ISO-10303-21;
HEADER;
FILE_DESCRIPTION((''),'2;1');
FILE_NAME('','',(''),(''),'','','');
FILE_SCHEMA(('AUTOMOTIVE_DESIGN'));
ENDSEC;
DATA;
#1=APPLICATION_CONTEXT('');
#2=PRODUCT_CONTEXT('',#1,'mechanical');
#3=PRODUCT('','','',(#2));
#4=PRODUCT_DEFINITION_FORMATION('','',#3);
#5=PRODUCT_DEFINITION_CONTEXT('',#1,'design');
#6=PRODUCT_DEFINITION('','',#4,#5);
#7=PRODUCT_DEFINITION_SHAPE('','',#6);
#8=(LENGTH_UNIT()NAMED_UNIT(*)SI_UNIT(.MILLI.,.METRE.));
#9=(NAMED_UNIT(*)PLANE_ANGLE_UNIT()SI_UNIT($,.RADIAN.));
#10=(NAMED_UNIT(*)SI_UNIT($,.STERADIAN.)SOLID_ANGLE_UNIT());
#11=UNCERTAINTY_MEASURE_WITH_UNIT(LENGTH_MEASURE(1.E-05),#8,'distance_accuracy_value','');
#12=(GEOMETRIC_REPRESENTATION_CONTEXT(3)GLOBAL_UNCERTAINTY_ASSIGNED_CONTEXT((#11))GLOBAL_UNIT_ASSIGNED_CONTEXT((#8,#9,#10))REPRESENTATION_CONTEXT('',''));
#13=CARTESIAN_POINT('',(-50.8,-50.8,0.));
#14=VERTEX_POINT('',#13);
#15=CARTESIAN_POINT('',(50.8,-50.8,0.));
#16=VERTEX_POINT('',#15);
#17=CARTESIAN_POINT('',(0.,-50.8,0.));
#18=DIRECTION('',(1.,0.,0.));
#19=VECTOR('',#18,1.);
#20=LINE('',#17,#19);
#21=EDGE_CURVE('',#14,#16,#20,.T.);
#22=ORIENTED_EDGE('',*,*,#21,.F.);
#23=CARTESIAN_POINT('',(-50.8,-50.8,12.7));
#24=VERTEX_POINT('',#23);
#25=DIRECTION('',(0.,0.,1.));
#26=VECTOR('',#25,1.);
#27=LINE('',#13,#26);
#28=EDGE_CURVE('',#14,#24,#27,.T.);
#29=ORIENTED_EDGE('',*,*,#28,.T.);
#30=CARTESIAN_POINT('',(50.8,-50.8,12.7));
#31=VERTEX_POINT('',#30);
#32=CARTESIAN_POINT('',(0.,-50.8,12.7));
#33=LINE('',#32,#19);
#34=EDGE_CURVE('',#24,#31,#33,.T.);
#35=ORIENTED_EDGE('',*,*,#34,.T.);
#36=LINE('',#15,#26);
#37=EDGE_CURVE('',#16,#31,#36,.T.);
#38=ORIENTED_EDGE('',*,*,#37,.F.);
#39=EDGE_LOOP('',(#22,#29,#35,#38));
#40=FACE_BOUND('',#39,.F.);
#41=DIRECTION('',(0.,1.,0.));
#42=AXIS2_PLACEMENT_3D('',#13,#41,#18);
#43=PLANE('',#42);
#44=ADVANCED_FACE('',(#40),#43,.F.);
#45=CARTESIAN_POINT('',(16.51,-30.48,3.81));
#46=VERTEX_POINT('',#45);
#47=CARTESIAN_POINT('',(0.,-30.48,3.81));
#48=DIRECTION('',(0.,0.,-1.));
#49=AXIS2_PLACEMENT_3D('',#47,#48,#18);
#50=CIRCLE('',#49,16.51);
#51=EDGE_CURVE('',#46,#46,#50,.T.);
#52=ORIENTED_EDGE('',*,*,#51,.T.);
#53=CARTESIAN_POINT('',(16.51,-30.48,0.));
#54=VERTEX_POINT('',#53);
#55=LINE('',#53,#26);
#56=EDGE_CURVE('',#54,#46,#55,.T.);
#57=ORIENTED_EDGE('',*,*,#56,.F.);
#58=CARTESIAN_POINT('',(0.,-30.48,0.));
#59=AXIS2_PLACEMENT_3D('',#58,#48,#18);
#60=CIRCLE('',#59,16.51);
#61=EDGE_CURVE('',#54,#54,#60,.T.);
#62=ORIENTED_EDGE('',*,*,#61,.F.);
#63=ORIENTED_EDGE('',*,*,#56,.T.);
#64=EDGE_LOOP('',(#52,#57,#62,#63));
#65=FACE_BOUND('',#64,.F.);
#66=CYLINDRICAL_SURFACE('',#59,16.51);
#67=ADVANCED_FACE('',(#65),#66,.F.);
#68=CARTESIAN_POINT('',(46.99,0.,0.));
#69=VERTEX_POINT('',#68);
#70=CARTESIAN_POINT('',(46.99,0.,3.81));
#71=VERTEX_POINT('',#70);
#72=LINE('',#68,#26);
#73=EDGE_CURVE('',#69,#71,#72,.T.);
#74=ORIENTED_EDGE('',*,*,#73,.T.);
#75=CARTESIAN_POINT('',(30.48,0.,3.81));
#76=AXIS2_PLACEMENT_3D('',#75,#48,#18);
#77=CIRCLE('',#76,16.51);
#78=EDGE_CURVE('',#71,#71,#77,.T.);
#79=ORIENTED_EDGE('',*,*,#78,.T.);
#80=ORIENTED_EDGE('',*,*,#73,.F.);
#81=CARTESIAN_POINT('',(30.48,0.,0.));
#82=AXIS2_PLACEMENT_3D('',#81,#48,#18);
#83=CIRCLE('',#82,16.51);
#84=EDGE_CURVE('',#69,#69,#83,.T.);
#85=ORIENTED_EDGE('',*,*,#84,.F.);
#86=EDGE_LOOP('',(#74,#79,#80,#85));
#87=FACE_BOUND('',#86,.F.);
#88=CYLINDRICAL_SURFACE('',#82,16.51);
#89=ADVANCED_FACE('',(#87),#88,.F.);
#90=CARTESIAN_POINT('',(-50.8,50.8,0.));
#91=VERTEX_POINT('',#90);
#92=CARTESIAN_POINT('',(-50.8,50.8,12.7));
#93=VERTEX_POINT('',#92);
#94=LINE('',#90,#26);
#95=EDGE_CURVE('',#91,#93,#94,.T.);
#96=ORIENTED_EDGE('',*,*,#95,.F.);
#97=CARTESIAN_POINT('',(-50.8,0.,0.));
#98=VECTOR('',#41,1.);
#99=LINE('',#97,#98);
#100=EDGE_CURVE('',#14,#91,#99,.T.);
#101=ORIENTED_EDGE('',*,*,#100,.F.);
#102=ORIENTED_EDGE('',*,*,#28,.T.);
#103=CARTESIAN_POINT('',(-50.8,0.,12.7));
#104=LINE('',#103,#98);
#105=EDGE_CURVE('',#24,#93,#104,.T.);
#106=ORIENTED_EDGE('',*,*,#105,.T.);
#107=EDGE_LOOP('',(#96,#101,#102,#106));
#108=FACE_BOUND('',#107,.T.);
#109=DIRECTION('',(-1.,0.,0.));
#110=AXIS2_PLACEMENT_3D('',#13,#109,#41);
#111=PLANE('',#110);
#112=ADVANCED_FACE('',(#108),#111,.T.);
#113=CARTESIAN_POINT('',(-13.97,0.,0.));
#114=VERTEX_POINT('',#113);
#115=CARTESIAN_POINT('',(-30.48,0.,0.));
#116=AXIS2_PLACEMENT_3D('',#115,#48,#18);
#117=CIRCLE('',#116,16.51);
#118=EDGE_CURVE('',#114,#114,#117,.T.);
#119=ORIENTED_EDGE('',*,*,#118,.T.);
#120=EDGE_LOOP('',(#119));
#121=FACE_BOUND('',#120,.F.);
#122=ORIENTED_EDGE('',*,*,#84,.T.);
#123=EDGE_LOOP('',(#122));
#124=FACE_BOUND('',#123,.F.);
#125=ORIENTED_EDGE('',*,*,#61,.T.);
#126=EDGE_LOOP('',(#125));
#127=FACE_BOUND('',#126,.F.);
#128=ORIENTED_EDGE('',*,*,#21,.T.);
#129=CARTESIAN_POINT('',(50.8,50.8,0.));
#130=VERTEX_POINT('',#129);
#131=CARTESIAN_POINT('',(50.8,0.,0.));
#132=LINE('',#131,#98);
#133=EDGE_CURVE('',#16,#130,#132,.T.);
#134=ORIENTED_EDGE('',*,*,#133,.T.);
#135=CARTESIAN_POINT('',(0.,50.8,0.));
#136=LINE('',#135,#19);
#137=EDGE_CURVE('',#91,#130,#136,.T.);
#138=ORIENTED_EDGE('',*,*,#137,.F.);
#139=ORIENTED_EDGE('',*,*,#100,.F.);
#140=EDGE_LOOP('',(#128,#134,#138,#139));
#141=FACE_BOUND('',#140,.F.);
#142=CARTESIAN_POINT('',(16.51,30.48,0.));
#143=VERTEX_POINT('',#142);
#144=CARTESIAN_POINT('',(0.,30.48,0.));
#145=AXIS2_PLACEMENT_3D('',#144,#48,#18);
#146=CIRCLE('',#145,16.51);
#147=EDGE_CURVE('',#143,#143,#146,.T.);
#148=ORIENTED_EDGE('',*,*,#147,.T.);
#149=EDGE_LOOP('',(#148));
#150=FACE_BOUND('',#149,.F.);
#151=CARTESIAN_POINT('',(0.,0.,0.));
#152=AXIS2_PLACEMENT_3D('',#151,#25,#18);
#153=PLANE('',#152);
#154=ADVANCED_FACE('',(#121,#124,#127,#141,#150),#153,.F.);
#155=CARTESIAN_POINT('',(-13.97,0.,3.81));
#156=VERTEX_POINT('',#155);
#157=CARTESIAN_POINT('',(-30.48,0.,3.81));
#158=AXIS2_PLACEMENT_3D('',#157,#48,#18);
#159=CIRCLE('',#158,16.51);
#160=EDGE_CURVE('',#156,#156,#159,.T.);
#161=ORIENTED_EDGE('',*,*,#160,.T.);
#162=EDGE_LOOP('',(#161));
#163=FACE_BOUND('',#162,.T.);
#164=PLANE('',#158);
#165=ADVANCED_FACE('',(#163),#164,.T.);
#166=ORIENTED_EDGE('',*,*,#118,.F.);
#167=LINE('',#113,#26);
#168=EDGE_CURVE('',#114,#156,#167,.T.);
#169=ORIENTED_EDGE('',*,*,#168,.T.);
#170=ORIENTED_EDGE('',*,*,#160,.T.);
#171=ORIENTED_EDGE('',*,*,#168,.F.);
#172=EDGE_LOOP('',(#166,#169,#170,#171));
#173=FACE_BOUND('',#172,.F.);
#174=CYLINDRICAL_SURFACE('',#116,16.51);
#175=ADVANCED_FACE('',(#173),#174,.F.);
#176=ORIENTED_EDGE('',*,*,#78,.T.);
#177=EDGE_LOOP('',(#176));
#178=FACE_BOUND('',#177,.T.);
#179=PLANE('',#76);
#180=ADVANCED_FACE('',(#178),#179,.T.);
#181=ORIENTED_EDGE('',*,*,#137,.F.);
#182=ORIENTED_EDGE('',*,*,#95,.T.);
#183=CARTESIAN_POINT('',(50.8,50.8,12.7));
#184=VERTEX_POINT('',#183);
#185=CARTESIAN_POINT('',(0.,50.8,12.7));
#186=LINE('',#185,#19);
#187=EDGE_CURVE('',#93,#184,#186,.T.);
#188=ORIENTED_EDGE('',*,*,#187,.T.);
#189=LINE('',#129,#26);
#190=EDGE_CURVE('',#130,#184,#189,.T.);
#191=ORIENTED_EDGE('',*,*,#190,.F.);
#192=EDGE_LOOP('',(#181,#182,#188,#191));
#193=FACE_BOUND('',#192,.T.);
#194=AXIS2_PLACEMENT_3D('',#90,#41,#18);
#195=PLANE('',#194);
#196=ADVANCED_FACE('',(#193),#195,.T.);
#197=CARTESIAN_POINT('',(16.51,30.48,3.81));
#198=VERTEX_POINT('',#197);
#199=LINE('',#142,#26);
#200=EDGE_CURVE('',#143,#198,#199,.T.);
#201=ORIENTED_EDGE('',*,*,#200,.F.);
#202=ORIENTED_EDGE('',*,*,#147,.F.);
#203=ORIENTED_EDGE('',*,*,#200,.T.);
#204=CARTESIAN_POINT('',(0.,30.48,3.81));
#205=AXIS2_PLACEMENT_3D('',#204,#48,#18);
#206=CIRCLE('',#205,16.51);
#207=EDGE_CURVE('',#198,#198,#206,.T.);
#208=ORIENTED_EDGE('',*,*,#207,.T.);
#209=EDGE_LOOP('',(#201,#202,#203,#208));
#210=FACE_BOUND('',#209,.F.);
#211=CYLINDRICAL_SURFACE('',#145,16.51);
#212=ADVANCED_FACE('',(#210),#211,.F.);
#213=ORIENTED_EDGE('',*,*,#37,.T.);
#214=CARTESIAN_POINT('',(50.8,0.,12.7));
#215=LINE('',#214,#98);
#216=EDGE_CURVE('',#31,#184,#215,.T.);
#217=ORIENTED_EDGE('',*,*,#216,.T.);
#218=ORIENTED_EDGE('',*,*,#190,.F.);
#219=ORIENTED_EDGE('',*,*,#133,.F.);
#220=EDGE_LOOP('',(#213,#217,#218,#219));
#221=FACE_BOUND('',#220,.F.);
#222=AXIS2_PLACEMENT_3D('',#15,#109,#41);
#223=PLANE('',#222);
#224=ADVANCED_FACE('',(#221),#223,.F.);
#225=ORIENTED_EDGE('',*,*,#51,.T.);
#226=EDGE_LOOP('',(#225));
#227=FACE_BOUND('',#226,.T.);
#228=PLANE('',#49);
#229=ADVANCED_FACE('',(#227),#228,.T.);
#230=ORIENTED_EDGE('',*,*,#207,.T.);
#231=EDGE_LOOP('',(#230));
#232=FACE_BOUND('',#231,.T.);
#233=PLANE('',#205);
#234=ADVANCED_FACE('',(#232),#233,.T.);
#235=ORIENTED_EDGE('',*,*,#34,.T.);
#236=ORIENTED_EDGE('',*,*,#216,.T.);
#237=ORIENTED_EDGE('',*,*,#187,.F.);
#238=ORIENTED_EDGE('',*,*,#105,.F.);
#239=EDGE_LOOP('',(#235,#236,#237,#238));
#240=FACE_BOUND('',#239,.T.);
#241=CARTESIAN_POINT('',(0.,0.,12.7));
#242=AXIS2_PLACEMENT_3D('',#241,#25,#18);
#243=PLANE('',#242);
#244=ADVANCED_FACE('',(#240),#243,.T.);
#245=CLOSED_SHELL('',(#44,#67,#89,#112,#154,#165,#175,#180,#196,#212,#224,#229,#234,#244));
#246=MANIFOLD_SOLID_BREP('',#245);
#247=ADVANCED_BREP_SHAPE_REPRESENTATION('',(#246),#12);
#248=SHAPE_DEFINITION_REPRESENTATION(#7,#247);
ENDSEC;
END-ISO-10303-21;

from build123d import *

# Parameters (mm, degrees)
F0_W     = 101.6
F0_H     = 101.6
F1_DEPTH = 12.7
F2_R     = 16.51
F3_DEPTH = 3.81


with BuildPart() as f1:
    # F0 (on Top) → F1 (new body)
    with BuildSketch(Plane.XY):
        Rectangle(F0_W, F0_H)
    extrude(amount=F1_DEPTH)

    # F2 (on face) → F3 (cut)
    with BuildSketch(Plane(origin=(0, 0, 0), x_dir=(1, 0, 0), z_dir=(0, 0, -1))):
        with Locations((-30.48, 0)):
            Circle(F2_R)
        with Locations((0, 30.48)):
            Circle(F2_R)
        with Locations((30.48, 0)):
            Circle(F2_R)
        with Locations((0, -30.48)):
            Circle(F2_R)
    extrude(amount=-F3_DEPTH, mode=Mode.SUBTRACT)


solid = f1.part
